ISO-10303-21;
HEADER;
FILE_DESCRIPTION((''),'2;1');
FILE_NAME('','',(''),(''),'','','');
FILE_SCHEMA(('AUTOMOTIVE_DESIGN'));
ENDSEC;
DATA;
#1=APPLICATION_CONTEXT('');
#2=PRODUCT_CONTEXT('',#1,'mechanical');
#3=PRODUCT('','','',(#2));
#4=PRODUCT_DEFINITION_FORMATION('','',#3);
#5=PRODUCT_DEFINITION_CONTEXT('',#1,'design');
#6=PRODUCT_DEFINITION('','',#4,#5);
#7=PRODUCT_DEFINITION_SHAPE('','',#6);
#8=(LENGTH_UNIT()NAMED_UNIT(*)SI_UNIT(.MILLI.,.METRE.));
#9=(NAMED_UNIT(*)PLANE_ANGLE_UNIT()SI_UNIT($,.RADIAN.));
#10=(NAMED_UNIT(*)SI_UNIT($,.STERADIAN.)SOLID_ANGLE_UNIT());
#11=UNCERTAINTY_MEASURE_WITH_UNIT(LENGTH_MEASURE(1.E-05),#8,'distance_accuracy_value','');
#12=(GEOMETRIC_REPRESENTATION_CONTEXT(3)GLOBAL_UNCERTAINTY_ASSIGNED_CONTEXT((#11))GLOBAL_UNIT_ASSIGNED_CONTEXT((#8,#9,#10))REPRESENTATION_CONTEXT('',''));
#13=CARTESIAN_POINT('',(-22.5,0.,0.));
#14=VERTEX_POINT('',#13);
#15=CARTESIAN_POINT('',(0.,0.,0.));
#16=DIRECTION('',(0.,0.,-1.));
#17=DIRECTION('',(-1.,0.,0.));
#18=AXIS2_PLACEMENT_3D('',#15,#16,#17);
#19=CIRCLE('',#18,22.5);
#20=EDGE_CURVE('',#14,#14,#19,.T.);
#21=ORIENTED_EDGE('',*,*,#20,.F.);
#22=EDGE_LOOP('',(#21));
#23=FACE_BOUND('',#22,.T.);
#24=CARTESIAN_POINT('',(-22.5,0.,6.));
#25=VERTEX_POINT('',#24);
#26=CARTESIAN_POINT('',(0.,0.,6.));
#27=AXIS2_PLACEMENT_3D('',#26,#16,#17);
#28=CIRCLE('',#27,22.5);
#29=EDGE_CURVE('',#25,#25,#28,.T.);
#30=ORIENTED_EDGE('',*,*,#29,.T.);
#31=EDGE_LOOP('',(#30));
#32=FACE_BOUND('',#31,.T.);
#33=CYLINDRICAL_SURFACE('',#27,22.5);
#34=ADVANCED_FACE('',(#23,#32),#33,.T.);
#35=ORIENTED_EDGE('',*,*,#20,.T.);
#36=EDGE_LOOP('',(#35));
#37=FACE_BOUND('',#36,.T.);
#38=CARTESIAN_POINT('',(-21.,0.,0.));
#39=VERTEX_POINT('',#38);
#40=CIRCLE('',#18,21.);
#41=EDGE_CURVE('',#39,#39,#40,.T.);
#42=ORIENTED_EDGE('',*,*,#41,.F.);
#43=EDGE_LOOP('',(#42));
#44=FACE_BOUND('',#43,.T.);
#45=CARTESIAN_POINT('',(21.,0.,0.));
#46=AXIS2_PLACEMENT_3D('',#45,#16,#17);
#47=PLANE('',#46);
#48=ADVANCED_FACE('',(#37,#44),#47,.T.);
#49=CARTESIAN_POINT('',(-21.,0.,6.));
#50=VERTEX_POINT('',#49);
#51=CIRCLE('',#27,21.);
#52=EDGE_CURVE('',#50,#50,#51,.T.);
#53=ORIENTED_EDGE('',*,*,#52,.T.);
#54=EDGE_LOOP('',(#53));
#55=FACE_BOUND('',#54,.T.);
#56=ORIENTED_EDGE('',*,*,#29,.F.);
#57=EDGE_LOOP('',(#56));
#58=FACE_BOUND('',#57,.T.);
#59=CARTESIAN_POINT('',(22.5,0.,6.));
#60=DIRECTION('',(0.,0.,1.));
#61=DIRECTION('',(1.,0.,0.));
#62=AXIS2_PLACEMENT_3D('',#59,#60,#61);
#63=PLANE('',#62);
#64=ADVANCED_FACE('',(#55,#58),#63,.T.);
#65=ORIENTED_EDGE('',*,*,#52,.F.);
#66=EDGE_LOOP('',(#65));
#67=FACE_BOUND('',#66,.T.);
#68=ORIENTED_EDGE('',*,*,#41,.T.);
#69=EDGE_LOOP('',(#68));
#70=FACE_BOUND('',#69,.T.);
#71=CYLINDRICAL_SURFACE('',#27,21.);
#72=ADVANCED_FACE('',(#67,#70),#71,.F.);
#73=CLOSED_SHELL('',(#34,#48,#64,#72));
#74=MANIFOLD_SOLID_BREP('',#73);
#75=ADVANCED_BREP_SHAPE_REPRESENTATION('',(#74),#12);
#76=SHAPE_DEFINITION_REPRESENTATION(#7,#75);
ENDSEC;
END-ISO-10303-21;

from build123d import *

# Parameters (mm, degrees)
SKETCH_1_W = 1.5
SKETCH_1_H = 6


with BuildPart() as part:
    # 草图1 → 旋转1 (revolve)
    with BuildSketch(Plane.XZ, mode=Mode.PRIVATE) as revolve_1_sk:
        with Locations((21.75, 3)):
            Rectangle(SKETCH_1_W, SKETCH_1_H)
    revolve(revolve_1_sk.sketch.rotate(Axis((0, 0, 6), (0, 0, -1)), 180), axis=Axis((0, 0, 6), (0, 0, -1)))


solid = part.part
